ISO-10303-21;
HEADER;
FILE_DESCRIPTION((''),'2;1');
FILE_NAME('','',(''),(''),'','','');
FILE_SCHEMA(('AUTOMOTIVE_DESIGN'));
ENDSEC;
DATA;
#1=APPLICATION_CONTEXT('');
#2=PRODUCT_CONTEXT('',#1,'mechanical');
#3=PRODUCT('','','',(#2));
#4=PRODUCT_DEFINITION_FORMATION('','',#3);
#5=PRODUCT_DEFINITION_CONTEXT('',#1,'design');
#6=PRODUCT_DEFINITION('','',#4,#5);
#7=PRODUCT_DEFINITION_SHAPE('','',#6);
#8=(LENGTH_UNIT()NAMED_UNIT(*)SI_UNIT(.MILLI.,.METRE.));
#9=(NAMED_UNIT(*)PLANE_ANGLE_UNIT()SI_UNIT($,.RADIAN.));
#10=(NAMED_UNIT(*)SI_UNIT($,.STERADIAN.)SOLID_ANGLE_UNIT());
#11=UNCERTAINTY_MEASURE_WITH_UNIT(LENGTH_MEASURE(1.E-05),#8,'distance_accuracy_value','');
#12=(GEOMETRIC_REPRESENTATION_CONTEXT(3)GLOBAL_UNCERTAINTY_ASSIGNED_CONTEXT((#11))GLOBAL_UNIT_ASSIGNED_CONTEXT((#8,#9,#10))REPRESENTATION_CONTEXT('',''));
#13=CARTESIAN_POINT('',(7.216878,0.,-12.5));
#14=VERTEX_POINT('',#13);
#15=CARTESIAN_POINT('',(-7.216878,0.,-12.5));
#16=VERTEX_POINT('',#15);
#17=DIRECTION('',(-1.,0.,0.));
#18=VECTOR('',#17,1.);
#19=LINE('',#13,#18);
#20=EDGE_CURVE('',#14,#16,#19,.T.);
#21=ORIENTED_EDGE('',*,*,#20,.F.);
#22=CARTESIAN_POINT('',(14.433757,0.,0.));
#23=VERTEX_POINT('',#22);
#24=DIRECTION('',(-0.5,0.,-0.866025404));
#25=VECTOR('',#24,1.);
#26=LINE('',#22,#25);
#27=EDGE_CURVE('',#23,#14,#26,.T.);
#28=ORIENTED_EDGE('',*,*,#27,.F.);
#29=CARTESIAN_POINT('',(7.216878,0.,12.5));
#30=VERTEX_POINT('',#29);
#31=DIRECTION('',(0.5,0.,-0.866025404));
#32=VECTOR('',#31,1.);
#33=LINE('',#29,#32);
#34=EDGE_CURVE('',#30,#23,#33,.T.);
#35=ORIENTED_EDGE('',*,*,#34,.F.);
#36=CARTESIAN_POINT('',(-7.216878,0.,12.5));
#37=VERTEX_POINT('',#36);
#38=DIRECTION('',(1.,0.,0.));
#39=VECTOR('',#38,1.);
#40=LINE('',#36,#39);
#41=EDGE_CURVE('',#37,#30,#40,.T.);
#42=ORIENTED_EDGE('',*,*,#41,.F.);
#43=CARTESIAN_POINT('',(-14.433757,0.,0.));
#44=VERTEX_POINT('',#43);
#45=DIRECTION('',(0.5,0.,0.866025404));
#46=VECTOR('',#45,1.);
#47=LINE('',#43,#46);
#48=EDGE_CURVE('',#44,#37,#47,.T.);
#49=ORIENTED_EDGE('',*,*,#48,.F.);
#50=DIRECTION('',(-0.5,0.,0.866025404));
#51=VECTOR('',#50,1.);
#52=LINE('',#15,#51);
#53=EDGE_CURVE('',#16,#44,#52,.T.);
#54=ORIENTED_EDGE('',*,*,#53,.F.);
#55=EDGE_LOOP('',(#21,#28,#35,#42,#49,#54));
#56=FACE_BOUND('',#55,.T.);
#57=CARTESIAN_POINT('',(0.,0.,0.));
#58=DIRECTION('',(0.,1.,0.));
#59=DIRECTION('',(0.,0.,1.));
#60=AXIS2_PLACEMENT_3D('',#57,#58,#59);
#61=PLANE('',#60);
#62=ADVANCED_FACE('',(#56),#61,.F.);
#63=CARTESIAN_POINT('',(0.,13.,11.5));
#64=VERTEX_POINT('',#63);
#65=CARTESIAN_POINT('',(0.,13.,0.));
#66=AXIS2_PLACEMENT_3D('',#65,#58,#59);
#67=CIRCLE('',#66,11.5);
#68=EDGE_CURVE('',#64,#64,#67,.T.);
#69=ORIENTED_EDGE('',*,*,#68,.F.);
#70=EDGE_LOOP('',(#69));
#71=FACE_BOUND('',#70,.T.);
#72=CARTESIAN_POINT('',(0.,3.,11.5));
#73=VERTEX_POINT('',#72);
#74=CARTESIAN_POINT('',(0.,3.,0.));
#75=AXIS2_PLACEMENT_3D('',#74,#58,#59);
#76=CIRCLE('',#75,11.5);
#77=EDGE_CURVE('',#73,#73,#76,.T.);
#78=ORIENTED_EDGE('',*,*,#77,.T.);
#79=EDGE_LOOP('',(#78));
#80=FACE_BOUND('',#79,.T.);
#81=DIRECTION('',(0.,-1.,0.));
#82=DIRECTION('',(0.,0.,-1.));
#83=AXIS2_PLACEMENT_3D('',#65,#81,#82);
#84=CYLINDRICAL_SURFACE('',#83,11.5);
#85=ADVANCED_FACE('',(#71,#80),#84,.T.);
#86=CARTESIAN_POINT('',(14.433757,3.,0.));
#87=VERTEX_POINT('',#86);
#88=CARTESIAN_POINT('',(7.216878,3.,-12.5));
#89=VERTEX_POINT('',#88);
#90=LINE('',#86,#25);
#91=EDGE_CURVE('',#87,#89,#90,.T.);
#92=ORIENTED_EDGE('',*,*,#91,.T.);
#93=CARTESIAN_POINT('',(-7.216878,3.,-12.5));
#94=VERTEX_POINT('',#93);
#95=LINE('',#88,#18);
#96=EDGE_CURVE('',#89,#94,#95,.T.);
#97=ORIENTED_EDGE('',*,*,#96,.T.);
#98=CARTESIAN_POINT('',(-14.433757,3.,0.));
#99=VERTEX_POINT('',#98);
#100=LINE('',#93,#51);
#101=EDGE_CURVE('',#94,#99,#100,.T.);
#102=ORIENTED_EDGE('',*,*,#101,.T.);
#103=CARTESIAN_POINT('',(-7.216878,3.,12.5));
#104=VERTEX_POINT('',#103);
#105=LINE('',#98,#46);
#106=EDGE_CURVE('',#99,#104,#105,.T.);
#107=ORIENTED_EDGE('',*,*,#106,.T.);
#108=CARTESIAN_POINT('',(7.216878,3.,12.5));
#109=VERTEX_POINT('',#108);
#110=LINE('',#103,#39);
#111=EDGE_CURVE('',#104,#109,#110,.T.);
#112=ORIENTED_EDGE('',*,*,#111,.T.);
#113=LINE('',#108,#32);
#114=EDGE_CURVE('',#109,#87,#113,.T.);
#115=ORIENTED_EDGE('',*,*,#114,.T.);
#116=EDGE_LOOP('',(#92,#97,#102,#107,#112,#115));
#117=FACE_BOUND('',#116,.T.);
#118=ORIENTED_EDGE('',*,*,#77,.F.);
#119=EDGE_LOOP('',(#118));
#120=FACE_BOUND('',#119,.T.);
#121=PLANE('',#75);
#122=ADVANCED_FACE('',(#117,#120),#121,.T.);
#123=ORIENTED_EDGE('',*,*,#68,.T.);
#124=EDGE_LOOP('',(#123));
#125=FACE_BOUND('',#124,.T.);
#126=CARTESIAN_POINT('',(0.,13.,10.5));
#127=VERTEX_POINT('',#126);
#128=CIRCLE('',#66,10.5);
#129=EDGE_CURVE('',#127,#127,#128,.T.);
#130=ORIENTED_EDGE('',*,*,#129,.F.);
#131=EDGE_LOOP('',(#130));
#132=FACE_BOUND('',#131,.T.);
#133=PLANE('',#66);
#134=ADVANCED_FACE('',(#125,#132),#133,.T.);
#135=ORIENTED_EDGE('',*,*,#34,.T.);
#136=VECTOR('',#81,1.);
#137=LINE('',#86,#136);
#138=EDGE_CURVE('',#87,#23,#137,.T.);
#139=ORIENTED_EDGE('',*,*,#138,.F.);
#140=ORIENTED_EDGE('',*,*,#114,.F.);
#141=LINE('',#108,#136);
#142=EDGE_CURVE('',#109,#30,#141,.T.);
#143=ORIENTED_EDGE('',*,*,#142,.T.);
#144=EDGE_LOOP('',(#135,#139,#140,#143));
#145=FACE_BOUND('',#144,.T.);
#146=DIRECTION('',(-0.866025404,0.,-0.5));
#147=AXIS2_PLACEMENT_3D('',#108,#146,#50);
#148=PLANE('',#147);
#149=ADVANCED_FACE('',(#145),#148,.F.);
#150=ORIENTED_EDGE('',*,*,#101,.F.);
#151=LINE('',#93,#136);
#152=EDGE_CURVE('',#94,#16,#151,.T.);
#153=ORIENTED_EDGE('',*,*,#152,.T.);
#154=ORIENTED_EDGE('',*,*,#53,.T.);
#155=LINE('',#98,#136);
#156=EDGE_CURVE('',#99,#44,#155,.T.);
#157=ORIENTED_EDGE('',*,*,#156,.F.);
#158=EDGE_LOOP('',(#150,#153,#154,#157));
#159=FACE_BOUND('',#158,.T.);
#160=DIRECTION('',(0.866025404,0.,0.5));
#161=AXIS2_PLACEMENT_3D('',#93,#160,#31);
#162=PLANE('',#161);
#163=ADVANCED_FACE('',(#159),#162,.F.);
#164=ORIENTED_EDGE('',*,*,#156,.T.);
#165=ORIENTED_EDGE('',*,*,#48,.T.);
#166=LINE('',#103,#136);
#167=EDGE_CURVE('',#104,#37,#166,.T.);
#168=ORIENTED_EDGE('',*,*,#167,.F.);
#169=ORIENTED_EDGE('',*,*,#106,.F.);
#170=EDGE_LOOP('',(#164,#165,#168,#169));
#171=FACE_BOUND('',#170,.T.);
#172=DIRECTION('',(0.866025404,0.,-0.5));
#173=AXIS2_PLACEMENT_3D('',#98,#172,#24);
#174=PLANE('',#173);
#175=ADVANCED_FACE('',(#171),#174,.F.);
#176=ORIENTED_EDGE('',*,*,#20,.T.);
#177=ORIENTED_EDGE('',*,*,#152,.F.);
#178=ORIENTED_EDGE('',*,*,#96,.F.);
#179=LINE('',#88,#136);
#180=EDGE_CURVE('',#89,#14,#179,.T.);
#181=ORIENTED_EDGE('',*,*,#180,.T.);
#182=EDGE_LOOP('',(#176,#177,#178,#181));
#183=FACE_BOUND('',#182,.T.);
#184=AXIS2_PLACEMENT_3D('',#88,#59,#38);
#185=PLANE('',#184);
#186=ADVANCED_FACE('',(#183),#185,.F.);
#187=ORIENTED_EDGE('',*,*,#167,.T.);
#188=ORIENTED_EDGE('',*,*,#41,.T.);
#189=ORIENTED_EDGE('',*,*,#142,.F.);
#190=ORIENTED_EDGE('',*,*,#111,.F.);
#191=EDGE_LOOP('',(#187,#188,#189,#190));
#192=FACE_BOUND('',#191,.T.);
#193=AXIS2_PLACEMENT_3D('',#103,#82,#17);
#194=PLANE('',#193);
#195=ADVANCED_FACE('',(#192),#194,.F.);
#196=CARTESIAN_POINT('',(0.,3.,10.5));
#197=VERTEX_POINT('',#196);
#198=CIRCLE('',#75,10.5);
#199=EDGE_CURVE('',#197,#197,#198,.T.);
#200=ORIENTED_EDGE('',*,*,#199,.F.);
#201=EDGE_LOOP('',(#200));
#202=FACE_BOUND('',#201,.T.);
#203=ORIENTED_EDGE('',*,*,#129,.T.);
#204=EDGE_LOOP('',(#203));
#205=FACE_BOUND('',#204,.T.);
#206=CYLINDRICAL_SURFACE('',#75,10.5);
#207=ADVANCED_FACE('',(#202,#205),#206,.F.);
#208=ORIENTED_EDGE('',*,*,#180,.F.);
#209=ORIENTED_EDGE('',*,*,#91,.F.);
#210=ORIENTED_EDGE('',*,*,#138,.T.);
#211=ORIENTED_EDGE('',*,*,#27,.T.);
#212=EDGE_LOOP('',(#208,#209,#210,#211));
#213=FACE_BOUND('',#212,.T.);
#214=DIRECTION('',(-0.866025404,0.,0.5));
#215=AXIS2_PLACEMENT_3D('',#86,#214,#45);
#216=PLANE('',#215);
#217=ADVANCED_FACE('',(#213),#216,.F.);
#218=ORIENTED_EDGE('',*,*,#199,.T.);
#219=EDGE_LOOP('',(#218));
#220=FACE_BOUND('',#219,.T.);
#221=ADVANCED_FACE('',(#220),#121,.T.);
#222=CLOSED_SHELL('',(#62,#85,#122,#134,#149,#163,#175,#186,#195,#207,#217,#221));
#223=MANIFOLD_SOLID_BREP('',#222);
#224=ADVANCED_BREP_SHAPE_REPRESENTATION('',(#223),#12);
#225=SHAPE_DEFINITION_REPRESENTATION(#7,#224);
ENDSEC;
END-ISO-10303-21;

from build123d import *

# Parameters (mm, degrees)
BOSS_EXTRUDE1_DEPTH = 3
SKETCH2_R           = 11.5
BOSS_EXTRUDE2_DEPTH = 10
SKETCH3_R           = 10.5
CUT_EXTRUDE1_DEPTH  = 10


with BuildPart() as part:
    # Sketch1 → Boss-Extrude1 (new body)
    with BuildSketch(Plane(origin=(0, 0, 0), x_dir=(1, 0, 0), z_dir=(0, 1, 0))):
        Polygon((7.216878365, -12.5), (14.43375673, 0), (7.216878365, 12.5), (-7.216878365, 12.5), (-14.43375673, 0), (-7.216878365, -12.5), align=None)
    extrude(amount=BOSS_EXTRUDE1_DEPTH)

    # Sketch2 → Boss-Extrude2 (add)
    with BuildSketch(Plane(origin=(0, 3, 0), x_dir=(1, 0, 0), z_dir=(0, 1, 0))):
        Circle(SKETCH2_R)
    extrude(amount=BOSS_EXTRUDE2_DEPTH)

    # Sketch3 → Cut-Extrude1 (cut)
    with BuildSketch(Plane(origin=(0, 13, 0), x_dir=(1, 0, 0), z_dir=(0, 1, 0))):
        Circle(SKETCH3_R)
    extrude(amount=-CUT_EXTRUDE1_DEPTH, mode=Mode.SUBTRACT)


solid = part.part
